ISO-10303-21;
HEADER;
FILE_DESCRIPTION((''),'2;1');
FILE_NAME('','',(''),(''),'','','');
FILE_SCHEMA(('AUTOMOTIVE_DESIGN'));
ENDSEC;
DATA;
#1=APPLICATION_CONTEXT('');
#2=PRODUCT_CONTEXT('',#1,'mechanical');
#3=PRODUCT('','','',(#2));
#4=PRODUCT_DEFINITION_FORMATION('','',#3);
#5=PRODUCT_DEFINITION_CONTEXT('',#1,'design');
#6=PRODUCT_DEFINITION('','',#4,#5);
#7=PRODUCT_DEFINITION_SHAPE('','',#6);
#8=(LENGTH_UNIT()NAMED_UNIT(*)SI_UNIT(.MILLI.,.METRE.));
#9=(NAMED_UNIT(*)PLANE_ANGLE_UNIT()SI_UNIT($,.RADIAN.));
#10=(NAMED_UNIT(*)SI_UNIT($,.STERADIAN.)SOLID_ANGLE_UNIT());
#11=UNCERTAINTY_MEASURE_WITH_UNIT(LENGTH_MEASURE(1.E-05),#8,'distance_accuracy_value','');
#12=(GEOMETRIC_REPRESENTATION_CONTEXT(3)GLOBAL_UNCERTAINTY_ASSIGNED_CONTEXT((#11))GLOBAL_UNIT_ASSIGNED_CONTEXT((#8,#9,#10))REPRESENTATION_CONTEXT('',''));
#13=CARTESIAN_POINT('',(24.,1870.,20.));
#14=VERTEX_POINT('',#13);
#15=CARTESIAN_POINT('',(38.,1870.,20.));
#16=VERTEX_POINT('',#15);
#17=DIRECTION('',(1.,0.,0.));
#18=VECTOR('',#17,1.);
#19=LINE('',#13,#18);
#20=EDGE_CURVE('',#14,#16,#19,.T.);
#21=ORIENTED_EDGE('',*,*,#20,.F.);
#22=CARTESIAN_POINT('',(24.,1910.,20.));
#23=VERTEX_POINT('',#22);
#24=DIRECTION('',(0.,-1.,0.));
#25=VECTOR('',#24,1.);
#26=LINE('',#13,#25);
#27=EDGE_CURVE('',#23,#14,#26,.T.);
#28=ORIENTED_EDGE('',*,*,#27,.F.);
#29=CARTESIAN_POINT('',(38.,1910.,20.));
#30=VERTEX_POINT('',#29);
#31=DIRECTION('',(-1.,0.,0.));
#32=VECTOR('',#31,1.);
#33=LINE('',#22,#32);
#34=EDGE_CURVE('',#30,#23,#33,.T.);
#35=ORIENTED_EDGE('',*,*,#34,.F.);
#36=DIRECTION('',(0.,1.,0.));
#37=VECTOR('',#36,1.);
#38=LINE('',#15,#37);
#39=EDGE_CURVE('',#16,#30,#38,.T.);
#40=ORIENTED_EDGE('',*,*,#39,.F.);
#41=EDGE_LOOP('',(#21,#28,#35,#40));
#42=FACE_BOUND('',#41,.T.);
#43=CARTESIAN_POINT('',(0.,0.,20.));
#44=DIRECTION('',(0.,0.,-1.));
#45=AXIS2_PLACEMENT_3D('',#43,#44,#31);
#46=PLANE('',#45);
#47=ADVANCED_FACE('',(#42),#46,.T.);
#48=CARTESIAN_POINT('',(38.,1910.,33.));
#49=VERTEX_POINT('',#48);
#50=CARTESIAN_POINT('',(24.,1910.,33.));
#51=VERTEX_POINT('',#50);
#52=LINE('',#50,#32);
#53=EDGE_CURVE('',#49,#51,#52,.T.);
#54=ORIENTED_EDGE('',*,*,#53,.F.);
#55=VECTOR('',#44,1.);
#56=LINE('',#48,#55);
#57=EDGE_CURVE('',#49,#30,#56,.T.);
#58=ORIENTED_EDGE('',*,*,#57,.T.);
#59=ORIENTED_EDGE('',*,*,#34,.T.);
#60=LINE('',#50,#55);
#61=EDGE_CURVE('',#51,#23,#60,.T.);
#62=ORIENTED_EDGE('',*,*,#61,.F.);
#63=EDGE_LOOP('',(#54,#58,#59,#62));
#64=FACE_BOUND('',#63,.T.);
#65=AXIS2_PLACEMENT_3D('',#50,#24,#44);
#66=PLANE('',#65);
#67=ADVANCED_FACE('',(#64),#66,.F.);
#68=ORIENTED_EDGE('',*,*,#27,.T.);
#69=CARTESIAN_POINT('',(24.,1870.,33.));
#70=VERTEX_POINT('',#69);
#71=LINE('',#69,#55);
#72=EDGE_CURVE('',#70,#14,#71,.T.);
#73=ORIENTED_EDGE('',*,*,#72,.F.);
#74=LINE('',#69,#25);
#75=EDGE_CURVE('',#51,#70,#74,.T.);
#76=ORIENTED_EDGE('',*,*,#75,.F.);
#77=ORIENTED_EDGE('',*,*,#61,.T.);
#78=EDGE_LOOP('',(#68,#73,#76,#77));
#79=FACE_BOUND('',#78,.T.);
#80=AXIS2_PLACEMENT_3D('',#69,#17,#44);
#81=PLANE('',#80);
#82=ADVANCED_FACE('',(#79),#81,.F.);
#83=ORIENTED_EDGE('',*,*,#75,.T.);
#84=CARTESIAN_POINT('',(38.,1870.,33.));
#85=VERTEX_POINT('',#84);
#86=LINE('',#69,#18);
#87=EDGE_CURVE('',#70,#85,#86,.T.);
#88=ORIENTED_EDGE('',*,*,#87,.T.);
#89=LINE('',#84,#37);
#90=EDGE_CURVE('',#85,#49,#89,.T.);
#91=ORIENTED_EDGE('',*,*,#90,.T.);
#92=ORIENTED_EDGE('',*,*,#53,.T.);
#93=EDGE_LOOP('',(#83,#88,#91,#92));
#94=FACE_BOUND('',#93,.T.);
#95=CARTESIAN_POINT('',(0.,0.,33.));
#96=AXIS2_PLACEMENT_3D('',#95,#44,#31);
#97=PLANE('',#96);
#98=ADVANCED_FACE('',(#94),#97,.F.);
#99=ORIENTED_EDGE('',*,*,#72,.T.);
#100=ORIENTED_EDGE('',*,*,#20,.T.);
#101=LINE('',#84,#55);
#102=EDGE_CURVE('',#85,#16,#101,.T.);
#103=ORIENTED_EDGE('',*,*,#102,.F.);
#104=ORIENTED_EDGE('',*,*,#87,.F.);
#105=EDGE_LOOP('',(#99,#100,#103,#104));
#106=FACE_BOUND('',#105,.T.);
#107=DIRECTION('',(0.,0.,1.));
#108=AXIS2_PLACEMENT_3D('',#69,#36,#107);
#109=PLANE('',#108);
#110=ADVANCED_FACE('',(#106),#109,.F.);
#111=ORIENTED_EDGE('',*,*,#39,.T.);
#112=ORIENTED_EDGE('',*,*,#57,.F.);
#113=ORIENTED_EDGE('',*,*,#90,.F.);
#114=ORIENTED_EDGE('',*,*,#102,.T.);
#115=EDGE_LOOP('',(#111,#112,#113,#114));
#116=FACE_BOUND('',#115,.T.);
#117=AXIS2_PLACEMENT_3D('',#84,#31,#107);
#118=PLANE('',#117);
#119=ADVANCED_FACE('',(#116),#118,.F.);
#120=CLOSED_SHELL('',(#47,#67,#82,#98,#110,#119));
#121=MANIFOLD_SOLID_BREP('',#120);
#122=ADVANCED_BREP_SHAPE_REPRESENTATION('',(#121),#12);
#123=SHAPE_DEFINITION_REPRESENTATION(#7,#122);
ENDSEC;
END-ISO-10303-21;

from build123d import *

# Parameters (mm, degrees)
OVEN_FAN_FILTRE_KAPAGI_MENTESE_2_1_START = 20
SKETCH1_W                                = 14
SKETCH1_H                                = 40
OVEN_FAN_FILTRE_KAPAGI_MENTESE_2_1_DEPTH = 13


with BuildPart() as part:
    # Sketch1 → OVEN_fan_filtre_kapagi_mentese_2_1 (new body)
    with BuildSketch(Plane.XY.offset(OVEN_FAN_FILTRE_KAPAGI_MENTESE_2_1_START)):
        with Locations((31, 1890)):
            Rectangle(SKETCH1_W, SKETCH1_H)
    extrude(amount=OVEN_FAN_FILTRE_KAPAGI_MENTESE_2_1_DEPTH)


solid = part.part
